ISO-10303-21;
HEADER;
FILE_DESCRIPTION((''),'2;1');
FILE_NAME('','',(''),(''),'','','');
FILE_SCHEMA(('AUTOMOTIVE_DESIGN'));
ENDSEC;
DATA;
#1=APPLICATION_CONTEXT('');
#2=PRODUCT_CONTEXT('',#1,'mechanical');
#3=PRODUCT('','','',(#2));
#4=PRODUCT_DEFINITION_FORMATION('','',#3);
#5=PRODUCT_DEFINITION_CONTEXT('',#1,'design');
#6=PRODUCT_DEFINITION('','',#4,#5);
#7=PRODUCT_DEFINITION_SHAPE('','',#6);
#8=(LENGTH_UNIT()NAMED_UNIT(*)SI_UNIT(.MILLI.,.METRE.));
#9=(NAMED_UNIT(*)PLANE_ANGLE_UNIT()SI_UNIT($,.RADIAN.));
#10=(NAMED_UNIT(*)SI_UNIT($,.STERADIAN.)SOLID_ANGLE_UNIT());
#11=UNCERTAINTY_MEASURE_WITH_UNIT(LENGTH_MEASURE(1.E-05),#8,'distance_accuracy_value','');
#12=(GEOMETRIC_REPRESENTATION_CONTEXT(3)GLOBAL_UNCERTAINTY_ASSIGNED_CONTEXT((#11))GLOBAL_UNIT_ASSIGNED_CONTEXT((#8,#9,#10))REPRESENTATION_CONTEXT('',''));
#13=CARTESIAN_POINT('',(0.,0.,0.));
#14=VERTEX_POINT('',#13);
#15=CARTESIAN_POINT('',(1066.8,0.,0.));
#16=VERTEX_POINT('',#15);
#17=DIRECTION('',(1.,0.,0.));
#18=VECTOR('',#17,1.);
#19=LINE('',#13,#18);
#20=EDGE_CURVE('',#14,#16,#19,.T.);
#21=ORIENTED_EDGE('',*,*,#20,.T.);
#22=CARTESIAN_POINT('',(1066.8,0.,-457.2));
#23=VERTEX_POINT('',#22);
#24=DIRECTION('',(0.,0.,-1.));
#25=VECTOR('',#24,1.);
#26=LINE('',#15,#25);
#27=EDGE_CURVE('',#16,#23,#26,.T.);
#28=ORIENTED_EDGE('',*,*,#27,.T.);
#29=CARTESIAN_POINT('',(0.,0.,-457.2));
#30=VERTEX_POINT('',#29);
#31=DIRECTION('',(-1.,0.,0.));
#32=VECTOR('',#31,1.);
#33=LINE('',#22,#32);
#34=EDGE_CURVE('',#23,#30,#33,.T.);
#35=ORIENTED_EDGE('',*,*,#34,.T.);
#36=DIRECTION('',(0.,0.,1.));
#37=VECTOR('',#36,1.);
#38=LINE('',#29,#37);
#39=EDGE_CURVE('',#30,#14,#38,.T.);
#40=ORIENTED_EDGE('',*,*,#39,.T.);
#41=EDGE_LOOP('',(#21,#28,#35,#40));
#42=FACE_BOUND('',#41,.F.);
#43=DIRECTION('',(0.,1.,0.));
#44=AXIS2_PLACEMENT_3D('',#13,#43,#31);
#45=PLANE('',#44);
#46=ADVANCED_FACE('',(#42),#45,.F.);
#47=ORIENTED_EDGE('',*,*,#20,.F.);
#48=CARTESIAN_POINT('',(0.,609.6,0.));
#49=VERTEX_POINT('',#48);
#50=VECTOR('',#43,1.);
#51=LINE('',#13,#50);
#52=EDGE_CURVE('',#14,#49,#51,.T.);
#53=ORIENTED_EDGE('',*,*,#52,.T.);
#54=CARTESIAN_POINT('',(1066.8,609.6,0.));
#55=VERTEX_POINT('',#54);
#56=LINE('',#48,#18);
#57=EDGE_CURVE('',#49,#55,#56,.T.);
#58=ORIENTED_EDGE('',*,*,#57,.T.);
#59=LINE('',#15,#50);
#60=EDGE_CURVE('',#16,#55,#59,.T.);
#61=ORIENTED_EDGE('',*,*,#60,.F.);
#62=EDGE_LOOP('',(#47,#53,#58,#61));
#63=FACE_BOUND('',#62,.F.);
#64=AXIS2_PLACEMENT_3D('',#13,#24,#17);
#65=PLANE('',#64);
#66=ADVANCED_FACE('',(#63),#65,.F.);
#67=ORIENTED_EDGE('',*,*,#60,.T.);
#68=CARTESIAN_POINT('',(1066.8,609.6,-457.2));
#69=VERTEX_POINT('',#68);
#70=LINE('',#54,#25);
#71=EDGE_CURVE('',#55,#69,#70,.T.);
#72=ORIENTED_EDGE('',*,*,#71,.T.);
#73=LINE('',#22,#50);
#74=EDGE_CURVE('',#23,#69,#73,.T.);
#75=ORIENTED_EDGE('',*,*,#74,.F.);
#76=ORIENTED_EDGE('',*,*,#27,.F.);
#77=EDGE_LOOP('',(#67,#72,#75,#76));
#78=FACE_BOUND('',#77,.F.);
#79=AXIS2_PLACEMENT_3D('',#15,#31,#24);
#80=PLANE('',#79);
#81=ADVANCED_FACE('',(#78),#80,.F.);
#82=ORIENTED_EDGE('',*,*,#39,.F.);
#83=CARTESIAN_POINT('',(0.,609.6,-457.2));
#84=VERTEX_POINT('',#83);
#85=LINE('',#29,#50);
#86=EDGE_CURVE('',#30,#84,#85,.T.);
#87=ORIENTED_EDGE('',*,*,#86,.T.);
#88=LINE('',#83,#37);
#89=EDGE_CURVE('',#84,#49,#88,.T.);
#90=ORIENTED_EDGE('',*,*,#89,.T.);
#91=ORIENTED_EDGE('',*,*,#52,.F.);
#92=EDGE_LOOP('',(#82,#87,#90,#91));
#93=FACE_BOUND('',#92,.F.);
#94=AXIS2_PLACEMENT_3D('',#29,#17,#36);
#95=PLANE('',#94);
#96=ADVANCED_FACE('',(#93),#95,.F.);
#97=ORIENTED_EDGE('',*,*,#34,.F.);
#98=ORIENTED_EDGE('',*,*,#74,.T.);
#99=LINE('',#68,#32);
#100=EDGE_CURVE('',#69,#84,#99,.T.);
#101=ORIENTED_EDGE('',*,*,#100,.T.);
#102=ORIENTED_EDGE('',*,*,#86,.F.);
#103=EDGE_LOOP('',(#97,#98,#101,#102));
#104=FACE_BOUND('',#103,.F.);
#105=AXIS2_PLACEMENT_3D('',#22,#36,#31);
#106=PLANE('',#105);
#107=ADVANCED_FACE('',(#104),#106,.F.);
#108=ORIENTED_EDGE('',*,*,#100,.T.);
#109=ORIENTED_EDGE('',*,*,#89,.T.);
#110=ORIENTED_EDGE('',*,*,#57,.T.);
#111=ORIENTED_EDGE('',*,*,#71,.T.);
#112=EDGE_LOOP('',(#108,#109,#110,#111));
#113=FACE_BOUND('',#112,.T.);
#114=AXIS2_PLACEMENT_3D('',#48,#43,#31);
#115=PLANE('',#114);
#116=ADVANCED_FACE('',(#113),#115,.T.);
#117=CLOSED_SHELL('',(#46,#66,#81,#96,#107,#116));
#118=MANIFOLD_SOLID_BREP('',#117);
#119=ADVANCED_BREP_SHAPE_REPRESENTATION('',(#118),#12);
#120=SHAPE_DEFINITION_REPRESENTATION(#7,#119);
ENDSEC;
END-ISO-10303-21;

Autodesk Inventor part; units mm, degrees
ref_plane "YZ Plane" through (0, 0, 0) normal (1, 0, 0) x (0, 1, 0)
ref_plane "XZ Plane" through (0, 0, 0) normal (0, 1, 0) x (-1, 0, 0)
ref_plane "XY Plane" through (0, 0, 0) normal (0, 0, 1) x (1, 0, 0)
sketch "Sketch1" plane through (0, 0, 0) normal (0, 1, 0) x (-1, 0, 0)
  line L0 (0, 0) -> (-1066.8, 0)
  line L1 (-1066.8, 0) -> (-1066.8, -457.2)
  line L2 (-1066.8, -457.2) -> (0, -457.2)
  line L3 (0, -457.2) -> (0, 0)
  dimension "d0" = 1066.8
  dimension "d1" = 457.2
extrude "Extrusion1" add sketch "Sketch1" along normal blind 609.6
properties part number "Bench typ2 - 4" material "Granite, Cut, Polished"
